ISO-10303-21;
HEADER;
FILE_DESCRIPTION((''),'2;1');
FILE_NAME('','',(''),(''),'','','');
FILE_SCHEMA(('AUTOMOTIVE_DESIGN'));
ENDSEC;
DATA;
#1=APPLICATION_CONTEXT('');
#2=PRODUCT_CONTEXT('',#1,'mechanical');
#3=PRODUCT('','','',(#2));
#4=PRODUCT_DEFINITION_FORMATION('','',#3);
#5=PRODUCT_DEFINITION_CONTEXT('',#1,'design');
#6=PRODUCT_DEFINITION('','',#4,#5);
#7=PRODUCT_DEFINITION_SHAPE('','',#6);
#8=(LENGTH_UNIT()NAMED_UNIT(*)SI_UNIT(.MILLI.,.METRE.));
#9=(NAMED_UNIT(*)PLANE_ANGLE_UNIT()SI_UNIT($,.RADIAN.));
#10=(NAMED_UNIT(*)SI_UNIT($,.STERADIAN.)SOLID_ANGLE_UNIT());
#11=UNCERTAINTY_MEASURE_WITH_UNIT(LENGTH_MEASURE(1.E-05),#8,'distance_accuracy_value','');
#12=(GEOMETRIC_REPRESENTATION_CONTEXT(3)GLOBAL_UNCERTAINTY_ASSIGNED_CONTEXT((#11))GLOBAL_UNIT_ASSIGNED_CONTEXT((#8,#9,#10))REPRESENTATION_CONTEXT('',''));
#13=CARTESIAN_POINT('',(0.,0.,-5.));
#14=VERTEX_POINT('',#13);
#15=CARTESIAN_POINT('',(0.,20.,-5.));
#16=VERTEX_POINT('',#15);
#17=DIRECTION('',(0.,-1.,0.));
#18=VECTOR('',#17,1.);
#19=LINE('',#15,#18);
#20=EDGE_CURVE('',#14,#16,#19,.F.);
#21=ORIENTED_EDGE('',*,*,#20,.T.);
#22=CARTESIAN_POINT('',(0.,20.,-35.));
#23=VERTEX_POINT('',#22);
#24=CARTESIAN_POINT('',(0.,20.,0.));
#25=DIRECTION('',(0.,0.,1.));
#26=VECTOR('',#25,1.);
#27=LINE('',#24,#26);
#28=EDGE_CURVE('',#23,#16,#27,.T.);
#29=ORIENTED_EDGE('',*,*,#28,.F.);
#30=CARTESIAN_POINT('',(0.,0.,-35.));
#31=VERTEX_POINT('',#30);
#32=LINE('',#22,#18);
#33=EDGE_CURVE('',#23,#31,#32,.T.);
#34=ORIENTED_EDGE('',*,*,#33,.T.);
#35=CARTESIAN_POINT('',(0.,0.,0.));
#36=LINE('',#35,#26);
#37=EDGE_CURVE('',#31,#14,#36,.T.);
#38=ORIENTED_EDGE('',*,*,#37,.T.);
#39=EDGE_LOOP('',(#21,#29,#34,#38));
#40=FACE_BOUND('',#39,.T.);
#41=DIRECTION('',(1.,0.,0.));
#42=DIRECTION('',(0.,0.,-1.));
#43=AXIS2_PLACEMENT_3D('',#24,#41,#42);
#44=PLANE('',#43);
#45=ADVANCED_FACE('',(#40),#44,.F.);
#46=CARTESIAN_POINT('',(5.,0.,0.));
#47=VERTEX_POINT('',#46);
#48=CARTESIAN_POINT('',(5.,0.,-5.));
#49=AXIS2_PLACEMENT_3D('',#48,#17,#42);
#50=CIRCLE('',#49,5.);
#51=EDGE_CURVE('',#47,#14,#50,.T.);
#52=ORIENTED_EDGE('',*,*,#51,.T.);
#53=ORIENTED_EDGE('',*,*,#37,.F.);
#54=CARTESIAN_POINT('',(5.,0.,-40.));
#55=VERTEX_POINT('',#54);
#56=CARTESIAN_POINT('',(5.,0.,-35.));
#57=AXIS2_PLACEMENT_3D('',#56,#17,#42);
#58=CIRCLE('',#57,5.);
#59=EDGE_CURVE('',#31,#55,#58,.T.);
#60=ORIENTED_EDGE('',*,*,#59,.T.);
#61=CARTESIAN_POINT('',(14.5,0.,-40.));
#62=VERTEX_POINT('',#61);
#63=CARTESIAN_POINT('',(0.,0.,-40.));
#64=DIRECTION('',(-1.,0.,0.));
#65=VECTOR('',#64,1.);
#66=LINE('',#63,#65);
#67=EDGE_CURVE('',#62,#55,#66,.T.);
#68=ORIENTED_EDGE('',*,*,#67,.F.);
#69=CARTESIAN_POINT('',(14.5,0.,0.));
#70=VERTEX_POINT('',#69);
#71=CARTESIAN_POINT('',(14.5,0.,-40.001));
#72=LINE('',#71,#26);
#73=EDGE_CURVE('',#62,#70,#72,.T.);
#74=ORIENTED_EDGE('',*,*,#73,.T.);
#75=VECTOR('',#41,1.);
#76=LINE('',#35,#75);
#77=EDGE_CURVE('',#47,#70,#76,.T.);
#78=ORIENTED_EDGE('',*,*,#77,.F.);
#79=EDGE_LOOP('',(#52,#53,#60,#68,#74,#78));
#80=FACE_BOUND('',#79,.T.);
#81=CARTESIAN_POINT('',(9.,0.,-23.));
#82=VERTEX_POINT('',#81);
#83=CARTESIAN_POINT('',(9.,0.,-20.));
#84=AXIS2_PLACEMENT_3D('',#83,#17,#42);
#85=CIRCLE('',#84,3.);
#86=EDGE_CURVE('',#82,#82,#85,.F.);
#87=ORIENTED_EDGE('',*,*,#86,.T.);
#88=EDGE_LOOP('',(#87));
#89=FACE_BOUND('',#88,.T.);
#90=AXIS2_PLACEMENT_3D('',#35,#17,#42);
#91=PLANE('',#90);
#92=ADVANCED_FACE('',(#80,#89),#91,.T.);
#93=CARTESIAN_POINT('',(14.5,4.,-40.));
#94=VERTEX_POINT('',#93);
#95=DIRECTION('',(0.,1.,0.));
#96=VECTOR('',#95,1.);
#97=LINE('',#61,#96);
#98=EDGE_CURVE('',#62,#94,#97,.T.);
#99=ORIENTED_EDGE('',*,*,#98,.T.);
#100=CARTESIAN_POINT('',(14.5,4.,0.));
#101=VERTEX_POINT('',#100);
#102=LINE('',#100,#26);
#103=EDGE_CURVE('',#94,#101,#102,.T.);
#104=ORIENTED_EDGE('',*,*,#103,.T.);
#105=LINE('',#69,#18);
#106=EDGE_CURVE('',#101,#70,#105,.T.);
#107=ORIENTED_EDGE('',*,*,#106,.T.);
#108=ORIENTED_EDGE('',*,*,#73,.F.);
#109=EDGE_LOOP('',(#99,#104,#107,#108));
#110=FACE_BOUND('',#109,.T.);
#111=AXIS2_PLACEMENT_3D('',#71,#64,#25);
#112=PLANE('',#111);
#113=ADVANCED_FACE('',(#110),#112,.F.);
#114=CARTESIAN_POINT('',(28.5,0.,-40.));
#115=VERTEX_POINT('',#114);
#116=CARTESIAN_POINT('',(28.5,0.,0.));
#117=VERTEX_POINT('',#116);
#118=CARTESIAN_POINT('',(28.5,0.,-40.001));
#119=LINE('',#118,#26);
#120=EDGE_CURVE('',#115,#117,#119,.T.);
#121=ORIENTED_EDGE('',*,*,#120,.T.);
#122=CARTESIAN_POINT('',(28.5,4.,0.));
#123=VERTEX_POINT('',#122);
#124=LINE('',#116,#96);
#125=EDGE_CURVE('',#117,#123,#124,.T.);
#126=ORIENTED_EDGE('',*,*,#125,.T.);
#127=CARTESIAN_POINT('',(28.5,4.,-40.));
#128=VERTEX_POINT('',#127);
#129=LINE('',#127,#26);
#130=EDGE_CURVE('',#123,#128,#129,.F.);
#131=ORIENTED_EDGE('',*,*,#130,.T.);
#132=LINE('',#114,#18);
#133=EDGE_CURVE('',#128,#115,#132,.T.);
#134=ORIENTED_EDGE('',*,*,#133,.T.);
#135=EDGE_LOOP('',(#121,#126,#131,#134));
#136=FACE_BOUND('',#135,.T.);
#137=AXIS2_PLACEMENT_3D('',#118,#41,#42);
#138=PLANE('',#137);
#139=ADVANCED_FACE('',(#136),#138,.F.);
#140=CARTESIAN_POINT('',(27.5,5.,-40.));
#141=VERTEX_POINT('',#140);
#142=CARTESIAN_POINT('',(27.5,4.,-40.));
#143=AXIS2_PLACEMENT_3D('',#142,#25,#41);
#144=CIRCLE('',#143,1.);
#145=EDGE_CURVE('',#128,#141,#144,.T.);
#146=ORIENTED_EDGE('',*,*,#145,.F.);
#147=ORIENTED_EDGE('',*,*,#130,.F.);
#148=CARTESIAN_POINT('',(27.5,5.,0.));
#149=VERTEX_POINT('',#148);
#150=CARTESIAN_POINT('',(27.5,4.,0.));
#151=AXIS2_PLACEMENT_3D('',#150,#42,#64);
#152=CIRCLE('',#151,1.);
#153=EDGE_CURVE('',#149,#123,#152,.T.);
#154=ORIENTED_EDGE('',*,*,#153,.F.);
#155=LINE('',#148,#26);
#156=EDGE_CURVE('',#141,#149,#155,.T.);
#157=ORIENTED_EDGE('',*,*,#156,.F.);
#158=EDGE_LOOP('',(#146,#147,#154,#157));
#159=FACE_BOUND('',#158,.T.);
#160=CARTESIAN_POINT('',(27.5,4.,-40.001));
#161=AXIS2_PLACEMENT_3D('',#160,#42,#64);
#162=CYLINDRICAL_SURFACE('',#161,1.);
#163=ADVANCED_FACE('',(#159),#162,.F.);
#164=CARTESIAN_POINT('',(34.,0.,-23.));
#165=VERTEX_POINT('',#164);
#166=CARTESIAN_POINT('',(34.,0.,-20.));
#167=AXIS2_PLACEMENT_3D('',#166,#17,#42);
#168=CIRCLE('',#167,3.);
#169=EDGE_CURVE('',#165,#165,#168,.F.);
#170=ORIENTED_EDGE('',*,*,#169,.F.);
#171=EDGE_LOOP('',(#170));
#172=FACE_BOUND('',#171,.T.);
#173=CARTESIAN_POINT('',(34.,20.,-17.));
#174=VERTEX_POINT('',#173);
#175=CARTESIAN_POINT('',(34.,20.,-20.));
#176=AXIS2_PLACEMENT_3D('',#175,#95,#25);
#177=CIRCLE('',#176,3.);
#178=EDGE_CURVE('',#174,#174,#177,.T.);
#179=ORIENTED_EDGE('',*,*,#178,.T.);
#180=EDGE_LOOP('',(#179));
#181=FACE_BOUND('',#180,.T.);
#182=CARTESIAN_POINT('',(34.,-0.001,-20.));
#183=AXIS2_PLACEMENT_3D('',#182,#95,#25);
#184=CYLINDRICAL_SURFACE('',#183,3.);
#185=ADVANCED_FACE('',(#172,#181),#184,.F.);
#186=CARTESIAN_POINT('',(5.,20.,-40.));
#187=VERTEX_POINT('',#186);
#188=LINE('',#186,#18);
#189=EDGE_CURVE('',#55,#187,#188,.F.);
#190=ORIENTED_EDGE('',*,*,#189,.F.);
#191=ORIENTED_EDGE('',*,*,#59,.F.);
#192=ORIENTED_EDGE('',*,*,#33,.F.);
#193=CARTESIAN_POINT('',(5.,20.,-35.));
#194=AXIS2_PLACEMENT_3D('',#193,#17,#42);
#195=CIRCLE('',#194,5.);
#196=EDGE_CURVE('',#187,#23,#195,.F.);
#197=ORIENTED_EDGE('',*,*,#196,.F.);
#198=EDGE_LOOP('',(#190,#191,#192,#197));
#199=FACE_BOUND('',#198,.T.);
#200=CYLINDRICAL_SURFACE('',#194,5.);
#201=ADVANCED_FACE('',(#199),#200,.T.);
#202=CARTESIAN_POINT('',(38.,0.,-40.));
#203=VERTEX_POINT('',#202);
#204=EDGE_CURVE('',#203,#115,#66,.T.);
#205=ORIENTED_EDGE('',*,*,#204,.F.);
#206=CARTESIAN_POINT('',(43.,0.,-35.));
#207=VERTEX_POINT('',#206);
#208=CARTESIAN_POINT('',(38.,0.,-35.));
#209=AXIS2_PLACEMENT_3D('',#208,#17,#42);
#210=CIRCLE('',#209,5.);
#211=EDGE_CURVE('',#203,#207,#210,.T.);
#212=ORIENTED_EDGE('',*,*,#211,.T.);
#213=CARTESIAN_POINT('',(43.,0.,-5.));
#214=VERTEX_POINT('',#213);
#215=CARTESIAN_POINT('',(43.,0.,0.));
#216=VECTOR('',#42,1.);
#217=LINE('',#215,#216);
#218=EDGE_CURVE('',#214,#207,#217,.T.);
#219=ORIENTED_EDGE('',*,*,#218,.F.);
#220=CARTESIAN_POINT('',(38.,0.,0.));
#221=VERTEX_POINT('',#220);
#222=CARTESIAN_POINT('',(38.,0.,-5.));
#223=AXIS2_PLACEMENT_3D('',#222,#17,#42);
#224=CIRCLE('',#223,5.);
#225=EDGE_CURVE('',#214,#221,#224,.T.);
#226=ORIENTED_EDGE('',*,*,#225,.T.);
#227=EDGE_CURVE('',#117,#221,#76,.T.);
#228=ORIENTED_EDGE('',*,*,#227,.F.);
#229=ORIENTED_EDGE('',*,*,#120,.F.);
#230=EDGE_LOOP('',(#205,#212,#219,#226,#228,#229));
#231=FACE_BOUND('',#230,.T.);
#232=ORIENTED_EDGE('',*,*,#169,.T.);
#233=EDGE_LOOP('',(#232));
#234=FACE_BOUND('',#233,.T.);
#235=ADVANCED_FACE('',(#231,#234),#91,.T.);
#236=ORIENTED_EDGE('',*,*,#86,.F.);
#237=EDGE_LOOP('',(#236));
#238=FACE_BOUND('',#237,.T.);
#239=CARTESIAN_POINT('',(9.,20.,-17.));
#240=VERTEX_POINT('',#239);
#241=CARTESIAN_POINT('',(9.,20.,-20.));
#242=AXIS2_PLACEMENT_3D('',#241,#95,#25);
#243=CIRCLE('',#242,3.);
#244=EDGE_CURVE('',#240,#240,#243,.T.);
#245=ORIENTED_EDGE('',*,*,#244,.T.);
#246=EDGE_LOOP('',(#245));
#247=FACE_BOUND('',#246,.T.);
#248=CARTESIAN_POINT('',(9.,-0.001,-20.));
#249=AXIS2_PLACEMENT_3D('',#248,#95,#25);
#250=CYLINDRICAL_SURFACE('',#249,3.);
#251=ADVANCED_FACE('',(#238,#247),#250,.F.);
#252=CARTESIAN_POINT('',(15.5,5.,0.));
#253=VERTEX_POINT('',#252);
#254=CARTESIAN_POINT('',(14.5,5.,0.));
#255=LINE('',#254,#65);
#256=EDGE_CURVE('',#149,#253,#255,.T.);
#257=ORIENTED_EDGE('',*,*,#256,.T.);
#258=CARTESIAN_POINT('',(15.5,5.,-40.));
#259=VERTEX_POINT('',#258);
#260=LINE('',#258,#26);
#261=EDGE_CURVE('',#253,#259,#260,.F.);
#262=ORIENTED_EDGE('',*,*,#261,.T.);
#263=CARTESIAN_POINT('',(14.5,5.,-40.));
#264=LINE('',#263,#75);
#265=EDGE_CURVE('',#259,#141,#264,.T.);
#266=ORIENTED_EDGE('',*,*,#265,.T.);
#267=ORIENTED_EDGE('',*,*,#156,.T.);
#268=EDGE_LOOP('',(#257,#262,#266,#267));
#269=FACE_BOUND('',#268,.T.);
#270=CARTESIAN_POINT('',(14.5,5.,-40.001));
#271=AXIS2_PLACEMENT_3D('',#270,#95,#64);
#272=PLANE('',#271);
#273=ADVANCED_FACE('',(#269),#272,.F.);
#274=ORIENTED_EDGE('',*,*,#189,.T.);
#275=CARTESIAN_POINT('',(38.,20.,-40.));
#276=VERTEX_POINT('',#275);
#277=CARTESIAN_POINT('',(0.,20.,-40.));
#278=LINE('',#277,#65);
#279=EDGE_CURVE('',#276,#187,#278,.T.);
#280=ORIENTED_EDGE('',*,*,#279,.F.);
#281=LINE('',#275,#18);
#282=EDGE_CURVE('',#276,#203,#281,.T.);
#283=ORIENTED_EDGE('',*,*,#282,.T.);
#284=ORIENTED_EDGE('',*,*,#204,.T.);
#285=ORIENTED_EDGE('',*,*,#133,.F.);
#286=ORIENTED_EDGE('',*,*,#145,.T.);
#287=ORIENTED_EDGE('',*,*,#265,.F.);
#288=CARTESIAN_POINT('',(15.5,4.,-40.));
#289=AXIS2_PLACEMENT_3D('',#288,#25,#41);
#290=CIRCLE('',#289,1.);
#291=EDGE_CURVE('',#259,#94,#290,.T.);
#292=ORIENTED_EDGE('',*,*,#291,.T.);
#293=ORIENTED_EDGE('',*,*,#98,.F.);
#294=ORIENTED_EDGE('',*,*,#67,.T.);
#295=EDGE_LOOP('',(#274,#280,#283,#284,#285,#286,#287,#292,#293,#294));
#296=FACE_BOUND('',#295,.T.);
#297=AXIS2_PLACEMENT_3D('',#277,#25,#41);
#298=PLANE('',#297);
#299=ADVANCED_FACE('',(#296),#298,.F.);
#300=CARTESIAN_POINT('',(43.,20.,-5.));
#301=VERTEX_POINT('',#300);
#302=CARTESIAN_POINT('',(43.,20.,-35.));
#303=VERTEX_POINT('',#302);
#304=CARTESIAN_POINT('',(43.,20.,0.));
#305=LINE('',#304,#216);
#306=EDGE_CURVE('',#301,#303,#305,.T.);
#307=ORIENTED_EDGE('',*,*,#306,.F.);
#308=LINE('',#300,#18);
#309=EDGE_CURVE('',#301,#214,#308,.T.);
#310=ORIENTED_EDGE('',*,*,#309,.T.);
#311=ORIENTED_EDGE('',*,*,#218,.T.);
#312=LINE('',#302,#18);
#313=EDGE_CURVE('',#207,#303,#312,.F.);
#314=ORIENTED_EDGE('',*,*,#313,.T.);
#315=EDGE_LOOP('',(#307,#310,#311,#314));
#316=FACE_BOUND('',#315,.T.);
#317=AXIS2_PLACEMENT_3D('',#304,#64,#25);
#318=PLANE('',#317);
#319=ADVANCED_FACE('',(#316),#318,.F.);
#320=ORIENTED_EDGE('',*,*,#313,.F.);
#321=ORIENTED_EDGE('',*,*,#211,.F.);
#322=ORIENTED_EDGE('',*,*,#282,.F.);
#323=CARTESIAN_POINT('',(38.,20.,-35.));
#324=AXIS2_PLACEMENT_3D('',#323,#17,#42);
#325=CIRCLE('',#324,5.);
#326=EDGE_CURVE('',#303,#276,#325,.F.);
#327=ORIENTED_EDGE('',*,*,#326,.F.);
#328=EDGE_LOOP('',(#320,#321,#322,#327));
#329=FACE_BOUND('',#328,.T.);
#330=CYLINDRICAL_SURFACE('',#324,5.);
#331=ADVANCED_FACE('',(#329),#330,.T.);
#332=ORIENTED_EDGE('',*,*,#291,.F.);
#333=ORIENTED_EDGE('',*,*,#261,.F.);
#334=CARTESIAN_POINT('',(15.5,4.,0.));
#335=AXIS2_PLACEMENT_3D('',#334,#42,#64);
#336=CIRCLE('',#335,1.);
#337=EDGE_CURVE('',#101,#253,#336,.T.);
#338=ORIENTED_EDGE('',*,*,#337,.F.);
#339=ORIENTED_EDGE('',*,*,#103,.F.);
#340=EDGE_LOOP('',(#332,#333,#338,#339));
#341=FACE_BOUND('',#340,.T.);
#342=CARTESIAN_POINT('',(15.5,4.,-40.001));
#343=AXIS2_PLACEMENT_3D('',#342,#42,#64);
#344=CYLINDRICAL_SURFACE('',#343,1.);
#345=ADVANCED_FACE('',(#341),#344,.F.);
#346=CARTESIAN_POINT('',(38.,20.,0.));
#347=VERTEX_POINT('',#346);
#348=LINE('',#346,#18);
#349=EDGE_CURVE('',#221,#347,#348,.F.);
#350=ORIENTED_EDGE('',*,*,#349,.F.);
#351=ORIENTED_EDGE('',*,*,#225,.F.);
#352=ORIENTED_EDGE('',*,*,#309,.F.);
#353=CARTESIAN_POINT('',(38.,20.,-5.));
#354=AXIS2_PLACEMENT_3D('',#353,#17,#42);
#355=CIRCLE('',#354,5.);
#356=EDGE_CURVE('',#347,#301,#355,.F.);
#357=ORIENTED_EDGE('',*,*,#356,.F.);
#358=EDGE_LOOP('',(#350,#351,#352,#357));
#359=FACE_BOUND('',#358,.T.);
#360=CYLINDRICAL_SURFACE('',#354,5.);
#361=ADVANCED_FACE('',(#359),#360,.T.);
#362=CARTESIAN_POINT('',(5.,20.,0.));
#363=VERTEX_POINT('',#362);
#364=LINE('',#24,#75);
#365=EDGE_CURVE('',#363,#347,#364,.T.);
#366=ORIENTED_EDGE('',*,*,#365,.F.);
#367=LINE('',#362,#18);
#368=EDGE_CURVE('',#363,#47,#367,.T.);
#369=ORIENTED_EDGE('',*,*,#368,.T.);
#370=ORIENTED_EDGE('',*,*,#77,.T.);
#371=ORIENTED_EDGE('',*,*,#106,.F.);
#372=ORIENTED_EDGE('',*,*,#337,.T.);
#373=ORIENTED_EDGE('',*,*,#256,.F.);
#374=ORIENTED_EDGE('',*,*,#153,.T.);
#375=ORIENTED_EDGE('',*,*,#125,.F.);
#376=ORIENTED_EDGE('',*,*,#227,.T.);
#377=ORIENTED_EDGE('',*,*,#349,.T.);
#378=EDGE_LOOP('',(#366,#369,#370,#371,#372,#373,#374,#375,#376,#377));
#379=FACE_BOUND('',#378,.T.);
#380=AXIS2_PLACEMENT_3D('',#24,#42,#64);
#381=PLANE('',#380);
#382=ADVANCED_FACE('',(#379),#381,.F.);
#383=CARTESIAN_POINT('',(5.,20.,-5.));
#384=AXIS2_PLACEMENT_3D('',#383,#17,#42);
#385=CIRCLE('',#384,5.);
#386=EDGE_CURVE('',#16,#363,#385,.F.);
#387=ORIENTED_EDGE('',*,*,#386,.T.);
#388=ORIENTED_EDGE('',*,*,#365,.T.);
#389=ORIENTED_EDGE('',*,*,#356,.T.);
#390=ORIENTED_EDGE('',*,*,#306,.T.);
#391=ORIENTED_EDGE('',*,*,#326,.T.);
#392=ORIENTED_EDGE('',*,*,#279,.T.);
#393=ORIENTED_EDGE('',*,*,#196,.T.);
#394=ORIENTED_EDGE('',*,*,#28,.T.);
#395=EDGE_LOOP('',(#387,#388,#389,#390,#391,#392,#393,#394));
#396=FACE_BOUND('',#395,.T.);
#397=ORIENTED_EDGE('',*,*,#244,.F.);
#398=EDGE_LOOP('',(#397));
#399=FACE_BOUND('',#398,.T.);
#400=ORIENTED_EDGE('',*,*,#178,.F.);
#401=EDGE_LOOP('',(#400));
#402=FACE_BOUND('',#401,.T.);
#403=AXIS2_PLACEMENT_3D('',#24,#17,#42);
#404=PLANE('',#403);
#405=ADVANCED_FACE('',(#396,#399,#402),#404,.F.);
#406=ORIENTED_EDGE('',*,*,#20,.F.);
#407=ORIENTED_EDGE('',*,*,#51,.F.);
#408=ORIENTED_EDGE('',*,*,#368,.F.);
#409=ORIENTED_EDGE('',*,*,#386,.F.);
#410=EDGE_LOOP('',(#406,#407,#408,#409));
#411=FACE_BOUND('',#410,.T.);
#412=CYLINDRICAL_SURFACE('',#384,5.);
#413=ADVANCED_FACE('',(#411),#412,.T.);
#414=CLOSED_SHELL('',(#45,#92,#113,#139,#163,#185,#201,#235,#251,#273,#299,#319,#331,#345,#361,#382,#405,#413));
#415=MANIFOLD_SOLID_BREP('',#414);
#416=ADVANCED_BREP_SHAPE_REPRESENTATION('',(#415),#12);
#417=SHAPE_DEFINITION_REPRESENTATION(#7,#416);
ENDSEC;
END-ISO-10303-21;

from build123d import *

# Parameters (mm, degrees)
SKETCH1_W           = 43
SKETCH1_H           = 40
BOSS_EXTRUDE1_DEPTH = 20
CUT_EXTRUDE1_REACH  = 64.04
SKETCH2_R           = 3
FILLET1_R           = 5
CUT_EXTRUDE2_REACH  = 64.04
SKETCH3_W           = 14
SKETCH3_H           = 5
FILLET2_R           = 1


with BuildPart() as part:
    # Sketch1 → Boss-Extrude1 (new body)
    with BuildSketch(Plane(origin=(0, 0, 0), x_dir=(1, 0, 0), z_dir=(0, 1, 0))):
        with Locations((21.5, 20)):
            Rectangle(SKETCH1_W, SKETCH1_H)
    extrude(amount=BOSS_EXTRUDE1_DEPTH)

    # Sketch2 → Cut-Extrude1 (cut, up to next)
    with BuildSketch(Plane(origin=(0, 20, 0), x_dir=(1, 0, 0), z_dir=(0, 1, 0)), mode=Mode.PRIVATE) as cut_extrude1_sk1:
        with Locations(Location((9, 20, 0), (0, 0, 270))):
            Circle(SKETCH2_R)
    cut_extrude1_tool1 = extrude(cut_extrude1_sk1.sketch, amount=-CUT_EXTRUDE1_REACH, mode=Mode.PRIVATE) & part.part
    # Sketch2 → Cut-Extrude1 (cut, up to next)
    with BuildSketch(Plane(origin=(0, 20, 0), x_dir=(1, 0, 0), z_dir=(0, 1, 0)), mode=Mode.PRIVATE) as cut_extrude1_sk2:
        with Locations(Location((34, 20, 0), (0, 0, 270))):
            Circle(SKETCH2_R)
    cut_extrude1_tool2 = extrude(cut_extrude1_sk2.sketch, amount=-CUT_EXTRUDE1_REACH, mode=Mode.PRIVATE) & part.part
    add(cut_extrude1_tool1.solids().sort_by_distance((9, 20, -20))[0], mode=Mode.SUBTRACT)
    add(cut_extrude1_tool2.solids().sort_by_distance((34, 20, -20))[0], mode=Mode.SUBTRACT)

    # Fillet1
    fillet1_edges = [part.edges().sort_by_distance(p)[0] for p in [
        (0, 10, -40),
        (43, 10, -40),
        (43, 10, 0),
        (0, 10, 0),
    ]]
    fillet(fillet1_edges, radius=FILLET1_R)

    # Sketch3 → Cut-Extrude2 (cut, up to next)
    with BuildSketch(Plane.XY, mode=Mode.PRIVATE) as cut_extrude2_sk1:
        with Locations((21.5, 2.5)):
            Rectangle(SKETCH3_W, SKETCH3_H)
    cut_extrude2_tool1 = extrude(cut_extrude2_sk1.sketch, amount=-CUT_EXTRUDE2_REACH, mode=Mode.PRIVATE) & part.part
    add(cut_extrude2_tool1.solids().sort_by_distance((21.5, 2.5, 0))[0], mode=Mode.SUBTRACT)

    # Fillet2
    fillet2_edges = [part.edges().sort_by_distance(p)[0] for p in [
        (14.5, 5, -20),
        (28.5, 5, -20),
    ]]
    fillet(fillet2_edges, radius=FILLET2_R)


solid = part.part
